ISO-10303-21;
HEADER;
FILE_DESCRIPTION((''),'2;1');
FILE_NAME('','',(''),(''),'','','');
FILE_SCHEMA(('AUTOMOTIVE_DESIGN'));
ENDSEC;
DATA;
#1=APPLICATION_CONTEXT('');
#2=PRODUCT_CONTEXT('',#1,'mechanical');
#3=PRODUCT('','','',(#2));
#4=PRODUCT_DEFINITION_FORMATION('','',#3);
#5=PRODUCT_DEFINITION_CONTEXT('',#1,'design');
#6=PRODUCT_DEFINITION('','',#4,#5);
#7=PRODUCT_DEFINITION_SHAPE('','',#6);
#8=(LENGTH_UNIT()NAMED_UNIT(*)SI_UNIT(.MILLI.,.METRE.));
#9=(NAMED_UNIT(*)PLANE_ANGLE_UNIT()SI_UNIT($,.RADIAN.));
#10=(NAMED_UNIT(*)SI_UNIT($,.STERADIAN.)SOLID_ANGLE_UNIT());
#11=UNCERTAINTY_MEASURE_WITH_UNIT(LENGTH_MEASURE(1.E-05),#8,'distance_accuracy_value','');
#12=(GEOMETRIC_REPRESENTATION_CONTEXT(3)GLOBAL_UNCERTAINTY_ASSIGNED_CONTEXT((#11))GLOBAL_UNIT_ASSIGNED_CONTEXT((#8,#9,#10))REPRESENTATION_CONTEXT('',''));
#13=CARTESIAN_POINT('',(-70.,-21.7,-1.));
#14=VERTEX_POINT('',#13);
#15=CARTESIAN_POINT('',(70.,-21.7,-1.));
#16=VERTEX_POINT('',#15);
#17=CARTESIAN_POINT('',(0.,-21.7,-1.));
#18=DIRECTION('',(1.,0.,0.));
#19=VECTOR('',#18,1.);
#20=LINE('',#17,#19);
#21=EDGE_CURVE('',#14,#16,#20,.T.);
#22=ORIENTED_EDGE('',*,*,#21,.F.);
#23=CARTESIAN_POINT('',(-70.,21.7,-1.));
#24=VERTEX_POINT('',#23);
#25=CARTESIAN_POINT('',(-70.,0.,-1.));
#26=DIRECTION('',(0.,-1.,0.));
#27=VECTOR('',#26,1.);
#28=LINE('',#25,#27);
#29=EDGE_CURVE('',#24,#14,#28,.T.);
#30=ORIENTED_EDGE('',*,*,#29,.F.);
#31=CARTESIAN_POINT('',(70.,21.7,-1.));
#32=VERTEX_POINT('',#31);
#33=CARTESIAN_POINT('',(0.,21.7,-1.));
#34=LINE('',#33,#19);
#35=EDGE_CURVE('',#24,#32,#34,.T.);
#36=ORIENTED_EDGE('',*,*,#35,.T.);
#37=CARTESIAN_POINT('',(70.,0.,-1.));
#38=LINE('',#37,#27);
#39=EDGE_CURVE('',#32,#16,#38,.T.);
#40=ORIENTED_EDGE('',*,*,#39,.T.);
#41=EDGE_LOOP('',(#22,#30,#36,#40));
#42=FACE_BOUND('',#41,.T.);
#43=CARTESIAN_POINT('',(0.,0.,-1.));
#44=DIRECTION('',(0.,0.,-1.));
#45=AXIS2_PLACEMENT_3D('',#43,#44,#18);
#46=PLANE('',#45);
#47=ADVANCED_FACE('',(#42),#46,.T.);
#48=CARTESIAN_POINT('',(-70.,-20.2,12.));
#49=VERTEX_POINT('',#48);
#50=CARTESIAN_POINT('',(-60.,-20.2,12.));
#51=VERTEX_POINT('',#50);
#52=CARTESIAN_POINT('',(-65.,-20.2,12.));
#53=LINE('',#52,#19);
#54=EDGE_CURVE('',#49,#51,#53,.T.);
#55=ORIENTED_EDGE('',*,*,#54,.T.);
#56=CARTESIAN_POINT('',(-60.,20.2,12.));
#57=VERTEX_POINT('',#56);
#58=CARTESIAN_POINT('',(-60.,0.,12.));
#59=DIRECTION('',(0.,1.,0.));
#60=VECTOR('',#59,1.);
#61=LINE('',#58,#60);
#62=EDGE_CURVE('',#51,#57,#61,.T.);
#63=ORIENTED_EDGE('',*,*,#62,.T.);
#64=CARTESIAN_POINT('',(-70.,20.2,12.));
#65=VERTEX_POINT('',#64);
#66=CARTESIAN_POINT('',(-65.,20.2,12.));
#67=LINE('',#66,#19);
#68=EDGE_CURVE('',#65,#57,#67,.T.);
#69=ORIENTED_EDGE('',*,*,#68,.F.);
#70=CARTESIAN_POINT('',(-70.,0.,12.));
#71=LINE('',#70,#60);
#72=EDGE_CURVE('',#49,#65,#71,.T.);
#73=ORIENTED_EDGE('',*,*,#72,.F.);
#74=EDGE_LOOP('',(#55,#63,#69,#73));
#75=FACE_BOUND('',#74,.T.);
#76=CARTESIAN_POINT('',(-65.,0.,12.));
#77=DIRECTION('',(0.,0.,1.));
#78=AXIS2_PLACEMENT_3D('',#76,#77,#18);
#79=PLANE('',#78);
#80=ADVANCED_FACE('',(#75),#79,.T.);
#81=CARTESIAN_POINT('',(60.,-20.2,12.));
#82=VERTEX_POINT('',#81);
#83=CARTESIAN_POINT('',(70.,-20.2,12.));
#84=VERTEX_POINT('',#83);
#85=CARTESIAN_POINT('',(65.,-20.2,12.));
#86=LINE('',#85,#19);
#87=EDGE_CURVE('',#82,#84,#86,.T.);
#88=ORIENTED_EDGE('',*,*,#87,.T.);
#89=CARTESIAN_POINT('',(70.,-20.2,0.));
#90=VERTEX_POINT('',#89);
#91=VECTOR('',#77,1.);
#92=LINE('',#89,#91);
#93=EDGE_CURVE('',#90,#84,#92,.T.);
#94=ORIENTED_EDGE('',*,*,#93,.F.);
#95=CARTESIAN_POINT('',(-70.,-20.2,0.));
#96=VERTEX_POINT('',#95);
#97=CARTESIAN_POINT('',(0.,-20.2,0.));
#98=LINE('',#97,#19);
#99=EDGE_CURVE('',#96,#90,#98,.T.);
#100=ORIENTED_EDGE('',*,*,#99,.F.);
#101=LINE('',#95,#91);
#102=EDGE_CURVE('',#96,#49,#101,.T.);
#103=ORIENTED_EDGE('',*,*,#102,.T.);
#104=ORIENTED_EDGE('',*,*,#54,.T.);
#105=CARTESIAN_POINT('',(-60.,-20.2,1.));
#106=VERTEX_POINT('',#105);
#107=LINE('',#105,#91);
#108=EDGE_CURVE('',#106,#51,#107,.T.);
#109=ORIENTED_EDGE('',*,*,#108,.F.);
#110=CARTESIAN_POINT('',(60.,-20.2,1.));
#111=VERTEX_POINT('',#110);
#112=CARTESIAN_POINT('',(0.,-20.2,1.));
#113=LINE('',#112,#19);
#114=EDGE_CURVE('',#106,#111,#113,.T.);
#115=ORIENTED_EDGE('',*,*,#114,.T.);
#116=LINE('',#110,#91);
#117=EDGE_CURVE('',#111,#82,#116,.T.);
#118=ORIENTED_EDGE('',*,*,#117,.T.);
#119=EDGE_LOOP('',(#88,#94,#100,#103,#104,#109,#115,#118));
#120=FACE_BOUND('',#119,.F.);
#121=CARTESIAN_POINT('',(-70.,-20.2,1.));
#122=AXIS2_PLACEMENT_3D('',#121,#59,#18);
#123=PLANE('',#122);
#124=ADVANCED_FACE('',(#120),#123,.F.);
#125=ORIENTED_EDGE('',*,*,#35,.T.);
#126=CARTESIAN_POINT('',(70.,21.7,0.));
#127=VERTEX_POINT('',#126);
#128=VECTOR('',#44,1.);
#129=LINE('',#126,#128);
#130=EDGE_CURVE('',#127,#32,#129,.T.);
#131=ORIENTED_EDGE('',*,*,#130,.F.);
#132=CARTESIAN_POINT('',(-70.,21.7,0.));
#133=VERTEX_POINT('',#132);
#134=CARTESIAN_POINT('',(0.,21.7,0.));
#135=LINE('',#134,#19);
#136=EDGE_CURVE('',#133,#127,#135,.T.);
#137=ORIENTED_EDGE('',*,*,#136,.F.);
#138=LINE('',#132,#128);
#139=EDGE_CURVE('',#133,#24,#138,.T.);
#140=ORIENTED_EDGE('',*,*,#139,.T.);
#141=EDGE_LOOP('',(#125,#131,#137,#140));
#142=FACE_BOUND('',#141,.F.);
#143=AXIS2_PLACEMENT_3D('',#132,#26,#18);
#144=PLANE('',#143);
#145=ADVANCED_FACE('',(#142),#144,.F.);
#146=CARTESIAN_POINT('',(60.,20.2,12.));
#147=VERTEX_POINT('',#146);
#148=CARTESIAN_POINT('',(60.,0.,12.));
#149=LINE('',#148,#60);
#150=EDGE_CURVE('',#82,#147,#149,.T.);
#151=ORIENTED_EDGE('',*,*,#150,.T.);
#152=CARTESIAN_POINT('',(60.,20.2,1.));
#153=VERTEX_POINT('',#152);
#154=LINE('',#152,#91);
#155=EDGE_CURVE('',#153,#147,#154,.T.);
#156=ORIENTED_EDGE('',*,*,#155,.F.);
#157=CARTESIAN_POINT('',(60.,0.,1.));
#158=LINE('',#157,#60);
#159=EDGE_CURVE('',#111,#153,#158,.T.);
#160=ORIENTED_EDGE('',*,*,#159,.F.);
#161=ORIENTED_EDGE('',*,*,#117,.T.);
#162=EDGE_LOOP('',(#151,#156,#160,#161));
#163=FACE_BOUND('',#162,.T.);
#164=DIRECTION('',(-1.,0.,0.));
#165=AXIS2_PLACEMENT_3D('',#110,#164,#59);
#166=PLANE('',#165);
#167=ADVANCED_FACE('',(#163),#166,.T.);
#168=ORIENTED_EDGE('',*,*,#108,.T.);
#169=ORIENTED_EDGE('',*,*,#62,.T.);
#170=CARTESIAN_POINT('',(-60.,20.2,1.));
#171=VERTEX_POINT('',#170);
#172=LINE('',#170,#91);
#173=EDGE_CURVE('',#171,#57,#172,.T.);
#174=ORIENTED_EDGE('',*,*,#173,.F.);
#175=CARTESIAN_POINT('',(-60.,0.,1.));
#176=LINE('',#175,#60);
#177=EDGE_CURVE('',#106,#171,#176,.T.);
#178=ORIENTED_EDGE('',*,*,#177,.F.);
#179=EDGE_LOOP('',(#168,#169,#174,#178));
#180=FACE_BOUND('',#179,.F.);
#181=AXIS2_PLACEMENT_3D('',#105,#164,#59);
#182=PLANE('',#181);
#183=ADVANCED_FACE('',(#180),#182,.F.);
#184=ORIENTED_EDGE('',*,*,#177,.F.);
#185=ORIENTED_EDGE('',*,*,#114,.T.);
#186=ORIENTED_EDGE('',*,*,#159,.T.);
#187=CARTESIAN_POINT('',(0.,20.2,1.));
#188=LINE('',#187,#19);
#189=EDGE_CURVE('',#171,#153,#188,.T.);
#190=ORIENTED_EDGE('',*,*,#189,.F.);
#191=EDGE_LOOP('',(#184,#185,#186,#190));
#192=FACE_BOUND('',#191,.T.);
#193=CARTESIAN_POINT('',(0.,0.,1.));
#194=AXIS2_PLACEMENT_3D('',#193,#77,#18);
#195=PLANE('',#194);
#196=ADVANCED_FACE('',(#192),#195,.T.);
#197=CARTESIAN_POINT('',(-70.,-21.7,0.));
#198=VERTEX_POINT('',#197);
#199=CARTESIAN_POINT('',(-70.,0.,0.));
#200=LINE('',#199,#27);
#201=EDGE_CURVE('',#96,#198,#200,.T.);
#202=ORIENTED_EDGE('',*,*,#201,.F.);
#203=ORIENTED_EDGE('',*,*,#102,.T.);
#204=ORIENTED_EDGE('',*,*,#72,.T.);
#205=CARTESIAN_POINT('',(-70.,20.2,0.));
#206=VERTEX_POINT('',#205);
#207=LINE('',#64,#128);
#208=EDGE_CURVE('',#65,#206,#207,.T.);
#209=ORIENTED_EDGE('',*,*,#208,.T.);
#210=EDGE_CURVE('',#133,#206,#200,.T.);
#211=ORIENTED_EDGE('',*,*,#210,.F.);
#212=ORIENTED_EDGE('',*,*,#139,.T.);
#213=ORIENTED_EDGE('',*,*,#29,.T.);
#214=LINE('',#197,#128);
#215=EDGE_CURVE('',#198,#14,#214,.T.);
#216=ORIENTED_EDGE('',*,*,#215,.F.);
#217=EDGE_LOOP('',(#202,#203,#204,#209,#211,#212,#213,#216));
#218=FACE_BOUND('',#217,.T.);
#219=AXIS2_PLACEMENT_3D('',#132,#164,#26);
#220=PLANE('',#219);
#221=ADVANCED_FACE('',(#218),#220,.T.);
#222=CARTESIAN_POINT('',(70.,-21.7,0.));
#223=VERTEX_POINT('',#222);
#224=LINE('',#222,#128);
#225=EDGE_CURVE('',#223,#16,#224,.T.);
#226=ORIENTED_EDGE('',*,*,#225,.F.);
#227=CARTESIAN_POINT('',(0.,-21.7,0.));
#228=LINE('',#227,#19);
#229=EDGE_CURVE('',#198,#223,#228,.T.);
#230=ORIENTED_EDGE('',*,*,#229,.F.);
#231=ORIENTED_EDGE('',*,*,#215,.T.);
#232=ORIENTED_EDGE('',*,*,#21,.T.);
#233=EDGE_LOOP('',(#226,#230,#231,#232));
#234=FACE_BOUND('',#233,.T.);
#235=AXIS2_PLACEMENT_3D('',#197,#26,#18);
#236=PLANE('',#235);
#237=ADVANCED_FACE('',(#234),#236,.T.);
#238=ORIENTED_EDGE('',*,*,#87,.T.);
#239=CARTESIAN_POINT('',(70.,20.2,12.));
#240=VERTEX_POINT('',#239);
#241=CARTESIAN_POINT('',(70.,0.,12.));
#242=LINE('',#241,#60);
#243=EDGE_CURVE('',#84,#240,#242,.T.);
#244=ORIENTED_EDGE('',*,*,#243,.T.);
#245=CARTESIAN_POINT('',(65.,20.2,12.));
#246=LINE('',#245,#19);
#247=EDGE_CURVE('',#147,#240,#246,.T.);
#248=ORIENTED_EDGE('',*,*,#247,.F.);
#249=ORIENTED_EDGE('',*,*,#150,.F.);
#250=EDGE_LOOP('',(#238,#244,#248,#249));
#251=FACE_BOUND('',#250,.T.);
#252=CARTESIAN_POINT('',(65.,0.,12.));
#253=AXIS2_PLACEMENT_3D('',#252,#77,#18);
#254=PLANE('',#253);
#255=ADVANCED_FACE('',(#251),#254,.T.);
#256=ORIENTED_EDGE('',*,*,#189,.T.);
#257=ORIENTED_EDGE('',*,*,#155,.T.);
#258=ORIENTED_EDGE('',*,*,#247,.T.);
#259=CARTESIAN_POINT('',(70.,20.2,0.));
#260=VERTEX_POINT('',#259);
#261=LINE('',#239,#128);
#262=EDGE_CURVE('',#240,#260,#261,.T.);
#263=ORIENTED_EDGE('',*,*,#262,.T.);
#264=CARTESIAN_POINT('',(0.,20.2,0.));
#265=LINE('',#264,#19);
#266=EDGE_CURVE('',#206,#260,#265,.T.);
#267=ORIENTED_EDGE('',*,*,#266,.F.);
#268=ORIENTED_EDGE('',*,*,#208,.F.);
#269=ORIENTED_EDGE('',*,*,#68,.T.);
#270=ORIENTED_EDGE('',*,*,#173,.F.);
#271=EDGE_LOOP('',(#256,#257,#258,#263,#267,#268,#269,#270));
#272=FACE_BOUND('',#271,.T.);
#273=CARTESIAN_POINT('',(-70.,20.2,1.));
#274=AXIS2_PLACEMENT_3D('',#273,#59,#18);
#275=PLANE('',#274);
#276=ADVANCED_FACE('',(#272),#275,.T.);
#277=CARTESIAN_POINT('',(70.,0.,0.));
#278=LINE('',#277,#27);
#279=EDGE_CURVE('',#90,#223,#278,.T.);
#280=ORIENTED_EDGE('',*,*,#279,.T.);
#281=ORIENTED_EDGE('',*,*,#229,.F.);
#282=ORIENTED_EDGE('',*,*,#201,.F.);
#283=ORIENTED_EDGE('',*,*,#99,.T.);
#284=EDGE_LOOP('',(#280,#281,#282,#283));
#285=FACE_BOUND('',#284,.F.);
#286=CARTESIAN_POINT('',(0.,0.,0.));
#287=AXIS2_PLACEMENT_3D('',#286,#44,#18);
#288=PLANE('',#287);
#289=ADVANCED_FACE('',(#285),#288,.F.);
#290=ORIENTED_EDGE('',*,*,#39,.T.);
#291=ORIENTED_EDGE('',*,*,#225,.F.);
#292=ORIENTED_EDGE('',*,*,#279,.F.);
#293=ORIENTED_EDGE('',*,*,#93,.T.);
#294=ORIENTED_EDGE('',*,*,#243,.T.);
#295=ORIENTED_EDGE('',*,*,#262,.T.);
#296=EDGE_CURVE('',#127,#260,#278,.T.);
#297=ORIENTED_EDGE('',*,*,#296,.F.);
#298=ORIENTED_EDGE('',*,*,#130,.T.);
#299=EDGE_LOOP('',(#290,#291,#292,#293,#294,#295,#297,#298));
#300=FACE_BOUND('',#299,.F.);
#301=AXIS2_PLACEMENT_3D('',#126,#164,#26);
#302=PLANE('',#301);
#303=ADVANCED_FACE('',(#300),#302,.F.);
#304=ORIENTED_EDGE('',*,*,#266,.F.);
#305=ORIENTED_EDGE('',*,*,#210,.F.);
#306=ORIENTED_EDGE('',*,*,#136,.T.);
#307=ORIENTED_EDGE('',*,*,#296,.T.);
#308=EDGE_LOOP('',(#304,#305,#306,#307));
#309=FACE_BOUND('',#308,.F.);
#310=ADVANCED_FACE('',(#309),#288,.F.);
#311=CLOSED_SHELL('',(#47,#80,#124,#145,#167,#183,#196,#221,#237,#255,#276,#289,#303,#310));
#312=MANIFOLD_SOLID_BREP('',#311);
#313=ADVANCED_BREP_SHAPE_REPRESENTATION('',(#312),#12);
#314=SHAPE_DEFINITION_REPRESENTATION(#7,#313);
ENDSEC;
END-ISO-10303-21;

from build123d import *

# Parameters (mm, degrees)
F0_W     = 140
F0_H     = 40.4
F1_DEPTH = 1
F2_W     = 10
F2_H     = 40.4
F3_DEPTH = 11
F4_W     = 140
F4_H     = 43.4
F5_DEPTH = 1


with BuildPart() as f1:
    # F0 (on Top) → F1 (new body)
    with BuildSketch(Plane.XY):
        Rectangle(F0_W, F0_H)
    extrude(amount=F1_DEPTH)

    # F2 (on face) → F3 (join)
    with BuildSketch(Plane.XY.offset(1)):
        with Locations((-65, 0)):
            Rectangle(F2_W, F2_H)
        with Locations((65, 0)):
            Rectangle(F2_W, F2_H)
    extrude(amount=F3_DEPTH)

    # F4 (on face) → F5 (join)
    with BuildSketch(Plane(origin=(0, 0, 0), x_dir=(1, 0, 0), z_dir=(0, 0, -1))):
        Rectangle(F4_W, F4_H)
    extrude(amount=F5_DEPTH)


solid = f1.part
